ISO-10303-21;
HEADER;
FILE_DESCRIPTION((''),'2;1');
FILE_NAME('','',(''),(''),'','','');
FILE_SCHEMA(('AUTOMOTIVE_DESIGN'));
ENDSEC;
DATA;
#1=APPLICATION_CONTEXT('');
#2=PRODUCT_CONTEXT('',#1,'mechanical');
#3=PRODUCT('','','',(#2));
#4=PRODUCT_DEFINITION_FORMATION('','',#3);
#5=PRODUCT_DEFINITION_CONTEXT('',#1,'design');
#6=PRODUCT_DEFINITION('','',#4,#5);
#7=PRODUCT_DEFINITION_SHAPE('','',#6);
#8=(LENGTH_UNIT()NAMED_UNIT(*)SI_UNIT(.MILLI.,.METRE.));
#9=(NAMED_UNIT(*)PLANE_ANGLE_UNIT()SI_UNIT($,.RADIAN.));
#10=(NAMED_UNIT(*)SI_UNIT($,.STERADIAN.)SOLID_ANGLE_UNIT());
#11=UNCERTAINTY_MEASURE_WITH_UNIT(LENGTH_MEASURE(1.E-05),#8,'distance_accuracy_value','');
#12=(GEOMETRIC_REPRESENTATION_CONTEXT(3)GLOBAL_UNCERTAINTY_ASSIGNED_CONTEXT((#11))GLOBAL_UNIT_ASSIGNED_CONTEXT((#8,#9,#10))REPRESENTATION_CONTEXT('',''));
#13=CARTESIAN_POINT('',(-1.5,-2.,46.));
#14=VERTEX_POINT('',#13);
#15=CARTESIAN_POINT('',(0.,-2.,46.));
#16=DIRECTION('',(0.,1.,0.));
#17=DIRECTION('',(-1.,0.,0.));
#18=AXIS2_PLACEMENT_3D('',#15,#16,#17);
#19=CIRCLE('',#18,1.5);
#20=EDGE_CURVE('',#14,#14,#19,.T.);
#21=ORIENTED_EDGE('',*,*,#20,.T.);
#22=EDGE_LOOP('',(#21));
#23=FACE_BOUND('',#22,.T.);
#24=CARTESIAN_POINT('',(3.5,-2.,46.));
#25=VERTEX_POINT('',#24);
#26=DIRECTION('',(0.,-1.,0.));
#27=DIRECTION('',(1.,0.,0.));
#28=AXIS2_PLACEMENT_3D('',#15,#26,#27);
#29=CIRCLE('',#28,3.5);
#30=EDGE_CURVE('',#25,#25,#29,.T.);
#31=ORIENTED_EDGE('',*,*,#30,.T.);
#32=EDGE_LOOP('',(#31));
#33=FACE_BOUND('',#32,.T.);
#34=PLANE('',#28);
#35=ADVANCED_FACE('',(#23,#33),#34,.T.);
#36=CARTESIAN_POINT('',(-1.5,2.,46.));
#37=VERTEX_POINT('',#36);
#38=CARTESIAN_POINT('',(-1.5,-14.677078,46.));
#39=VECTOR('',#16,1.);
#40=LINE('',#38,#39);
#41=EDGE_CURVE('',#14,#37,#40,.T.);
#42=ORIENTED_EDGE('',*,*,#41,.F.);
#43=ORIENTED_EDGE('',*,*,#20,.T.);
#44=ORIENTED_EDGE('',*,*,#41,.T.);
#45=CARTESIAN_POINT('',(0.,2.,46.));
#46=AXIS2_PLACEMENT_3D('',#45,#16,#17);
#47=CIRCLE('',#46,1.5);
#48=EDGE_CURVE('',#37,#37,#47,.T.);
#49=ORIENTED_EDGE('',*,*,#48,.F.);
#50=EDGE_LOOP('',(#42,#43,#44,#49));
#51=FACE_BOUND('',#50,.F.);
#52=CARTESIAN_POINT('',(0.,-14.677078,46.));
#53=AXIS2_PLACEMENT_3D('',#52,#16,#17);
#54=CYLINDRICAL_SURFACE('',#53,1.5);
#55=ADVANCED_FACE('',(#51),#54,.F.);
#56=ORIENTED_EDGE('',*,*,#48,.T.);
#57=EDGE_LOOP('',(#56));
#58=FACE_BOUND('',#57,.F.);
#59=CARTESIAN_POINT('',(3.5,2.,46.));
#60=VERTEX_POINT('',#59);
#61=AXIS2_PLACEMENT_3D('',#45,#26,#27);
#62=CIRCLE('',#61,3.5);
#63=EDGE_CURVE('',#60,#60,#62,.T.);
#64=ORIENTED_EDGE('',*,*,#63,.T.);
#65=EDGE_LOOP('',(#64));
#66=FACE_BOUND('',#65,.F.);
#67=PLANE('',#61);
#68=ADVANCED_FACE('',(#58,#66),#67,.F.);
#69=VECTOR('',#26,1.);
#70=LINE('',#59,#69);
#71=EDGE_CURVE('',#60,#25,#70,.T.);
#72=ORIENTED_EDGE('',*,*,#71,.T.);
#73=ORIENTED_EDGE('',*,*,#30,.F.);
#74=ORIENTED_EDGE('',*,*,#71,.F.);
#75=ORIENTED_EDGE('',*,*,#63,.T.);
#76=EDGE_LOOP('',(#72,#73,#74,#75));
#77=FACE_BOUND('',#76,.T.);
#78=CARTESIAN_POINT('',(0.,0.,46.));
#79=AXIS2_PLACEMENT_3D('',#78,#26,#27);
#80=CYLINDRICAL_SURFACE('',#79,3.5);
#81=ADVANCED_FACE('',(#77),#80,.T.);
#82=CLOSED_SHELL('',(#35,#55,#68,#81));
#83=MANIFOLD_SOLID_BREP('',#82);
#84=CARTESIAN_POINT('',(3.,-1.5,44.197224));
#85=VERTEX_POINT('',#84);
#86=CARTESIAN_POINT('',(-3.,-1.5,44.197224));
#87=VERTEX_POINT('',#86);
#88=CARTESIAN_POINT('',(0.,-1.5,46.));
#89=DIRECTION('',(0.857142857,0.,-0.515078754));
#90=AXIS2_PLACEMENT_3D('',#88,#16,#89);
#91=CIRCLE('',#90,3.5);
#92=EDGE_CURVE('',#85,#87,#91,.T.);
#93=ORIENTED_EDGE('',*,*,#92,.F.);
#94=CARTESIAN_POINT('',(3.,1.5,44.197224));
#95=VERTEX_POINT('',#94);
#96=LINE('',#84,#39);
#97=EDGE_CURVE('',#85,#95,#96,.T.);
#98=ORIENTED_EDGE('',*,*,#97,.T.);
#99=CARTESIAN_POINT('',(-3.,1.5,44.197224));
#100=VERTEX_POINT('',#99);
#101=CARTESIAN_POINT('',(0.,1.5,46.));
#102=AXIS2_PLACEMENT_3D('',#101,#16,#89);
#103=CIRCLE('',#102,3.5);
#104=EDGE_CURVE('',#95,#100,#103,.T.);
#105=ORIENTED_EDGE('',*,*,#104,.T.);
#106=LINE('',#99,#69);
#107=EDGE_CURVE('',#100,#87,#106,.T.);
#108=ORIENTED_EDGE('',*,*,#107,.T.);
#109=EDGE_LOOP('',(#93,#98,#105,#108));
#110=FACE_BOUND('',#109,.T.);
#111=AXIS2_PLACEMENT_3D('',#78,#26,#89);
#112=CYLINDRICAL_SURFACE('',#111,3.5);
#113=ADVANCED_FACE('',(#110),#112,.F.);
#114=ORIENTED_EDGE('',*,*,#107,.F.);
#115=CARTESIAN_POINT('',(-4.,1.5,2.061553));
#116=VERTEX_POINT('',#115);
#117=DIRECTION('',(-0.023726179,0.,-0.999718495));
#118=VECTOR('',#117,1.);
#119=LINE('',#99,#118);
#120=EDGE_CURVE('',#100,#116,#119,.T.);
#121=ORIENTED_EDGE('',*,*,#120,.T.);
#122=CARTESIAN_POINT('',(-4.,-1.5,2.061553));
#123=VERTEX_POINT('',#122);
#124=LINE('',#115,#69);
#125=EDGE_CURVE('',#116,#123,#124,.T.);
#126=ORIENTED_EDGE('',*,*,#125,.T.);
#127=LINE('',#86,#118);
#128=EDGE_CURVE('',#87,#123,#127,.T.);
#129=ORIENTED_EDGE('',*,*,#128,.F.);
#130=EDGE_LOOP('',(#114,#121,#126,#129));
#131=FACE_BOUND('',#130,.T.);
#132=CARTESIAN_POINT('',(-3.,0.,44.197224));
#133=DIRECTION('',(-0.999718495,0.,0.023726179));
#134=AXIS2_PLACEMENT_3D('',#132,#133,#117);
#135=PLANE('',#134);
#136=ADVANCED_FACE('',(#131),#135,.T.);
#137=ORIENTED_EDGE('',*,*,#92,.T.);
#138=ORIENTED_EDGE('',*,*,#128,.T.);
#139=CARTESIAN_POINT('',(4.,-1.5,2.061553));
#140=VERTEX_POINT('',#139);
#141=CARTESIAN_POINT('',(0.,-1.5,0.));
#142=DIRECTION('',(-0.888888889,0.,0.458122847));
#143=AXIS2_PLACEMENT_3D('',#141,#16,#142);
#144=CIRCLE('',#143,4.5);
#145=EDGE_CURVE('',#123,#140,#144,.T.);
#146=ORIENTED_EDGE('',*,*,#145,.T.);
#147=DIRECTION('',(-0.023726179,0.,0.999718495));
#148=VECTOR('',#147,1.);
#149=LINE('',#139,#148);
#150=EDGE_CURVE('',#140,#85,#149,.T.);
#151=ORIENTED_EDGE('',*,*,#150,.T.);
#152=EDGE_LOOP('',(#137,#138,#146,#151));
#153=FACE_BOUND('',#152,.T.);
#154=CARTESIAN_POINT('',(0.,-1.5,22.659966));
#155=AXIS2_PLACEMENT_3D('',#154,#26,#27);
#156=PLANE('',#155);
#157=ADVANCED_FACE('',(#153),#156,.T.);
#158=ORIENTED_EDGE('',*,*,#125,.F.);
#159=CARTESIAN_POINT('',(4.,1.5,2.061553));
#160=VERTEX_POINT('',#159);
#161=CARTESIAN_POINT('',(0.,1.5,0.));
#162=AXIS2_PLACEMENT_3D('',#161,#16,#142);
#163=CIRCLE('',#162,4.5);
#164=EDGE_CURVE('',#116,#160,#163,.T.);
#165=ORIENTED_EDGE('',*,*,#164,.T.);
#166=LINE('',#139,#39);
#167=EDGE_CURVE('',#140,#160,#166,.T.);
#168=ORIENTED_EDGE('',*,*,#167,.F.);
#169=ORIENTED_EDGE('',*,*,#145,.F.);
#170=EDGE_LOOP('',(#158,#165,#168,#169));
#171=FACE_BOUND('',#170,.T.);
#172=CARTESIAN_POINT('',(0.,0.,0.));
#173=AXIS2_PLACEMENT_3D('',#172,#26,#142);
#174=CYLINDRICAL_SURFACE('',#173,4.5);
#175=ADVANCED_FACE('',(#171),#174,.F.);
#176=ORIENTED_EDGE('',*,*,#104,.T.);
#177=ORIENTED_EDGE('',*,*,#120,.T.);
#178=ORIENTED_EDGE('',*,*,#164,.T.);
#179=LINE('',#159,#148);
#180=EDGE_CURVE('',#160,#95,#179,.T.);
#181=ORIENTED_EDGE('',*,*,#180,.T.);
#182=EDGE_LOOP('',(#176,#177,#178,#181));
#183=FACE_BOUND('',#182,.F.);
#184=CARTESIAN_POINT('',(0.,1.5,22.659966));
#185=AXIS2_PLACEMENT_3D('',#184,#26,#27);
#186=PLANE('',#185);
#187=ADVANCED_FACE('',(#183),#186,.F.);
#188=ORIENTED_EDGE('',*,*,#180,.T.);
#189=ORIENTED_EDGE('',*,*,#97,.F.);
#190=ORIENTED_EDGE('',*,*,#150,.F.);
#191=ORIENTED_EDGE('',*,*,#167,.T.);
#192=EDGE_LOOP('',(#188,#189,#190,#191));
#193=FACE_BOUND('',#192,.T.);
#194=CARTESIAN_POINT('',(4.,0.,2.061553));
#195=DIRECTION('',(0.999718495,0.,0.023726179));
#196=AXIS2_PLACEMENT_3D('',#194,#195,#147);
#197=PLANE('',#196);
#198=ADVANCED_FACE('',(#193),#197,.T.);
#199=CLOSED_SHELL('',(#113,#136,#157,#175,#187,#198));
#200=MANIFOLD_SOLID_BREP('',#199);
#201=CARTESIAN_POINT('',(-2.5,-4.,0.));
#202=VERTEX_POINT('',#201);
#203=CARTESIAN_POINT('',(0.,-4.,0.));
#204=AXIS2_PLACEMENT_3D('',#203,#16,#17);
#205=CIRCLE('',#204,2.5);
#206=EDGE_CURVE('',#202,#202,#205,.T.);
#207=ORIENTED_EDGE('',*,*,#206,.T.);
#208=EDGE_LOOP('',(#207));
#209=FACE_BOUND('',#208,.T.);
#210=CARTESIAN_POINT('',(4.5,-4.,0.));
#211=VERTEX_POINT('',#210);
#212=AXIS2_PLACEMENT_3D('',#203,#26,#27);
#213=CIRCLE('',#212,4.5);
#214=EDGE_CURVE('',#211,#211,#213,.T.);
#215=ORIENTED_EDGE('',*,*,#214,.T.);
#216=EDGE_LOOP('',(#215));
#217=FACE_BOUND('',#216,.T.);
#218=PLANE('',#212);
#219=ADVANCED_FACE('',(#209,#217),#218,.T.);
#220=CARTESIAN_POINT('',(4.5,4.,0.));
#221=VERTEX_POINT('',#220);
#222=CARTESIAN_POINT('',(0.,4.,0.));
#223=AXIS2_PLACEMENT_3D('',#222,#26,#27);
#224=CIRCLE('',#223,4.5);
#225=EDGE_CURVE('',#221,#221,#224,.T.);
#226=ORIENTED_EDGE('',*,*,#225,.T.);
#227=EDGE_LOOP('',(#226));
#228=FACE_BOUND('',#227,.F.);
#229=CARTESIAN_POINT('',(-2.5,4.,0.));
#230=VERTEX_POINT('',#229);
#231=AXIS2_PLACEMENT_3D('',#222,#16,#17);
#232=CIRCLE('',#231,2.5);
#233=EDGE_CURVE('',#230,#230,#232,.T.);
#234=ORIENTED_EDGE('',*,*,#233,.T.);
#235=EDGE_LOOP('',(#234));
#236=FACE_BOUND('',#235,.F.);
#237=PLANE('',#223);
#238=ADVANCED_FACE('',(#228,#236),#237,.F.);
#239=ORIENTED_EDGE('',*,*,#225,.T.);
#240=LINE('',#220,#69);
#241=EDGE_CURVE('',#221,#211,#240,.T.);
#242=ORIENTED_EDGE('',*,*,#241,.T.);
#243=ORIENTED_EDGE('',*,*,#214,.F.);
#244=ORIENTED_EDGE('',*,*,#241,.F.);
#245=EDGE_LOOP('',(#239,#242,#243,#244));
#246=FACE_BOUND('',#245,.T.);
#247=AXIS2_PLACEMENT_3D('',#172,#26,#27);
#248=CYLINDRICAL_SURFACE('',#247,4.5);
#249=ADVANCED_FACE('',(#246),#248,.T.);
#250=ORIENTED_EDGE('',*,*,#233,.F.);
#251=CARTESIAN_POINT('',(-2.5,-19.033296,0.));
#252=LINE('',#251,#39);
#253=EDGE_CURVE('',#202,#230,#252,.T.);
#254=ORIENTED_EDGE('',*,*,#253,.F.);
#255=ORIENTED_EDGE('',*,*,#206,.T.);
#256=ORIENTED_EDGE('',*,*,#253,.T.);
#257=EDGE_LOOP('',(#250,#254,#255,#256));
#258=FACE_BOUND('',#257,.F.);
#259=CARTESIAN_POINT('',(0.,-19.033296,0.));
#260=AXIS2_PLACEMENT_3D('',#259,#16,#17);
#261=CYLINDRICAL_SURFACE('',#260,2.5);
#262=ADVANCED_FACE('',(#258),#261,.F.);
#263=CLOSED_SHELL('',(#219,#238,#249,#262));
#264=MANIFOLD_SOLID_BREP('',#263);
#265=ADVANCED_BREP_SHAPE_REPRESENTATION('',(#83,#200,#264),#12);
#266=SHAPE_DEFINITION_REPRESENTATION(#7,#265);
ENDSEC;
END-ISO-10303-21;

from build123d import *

# Parameters (mm, degrees)
F0_R     = 4.5
F1_DEPTH = 4
F2_R     = 3.5
F3_DEPTH = 2
F5_DEPTH = 1.5
F7_D     = 5
F8_D     = 3


with BuildPart() as f1:
    # F0 (on Front) → F1 (new body, symmetric)
    with BuildSketch(Plane.XZ):
        Circle(F0_R)
    extrude(amount=F1_DEPTH, both=True)

    # F7 (through all)
    with Locations(Plane.XZ.offset(4)):
        with Locations((0, 0)):
            Hole(F7_D / 2)


with BuildPart() as f3:
    # F2 (on Front) → F3 (new body, symmetric)
    with BuildSketch(Plane.XZ):
        with Locations((0, 46)):
            Circle(F2_R)
    extrude(amount=F3_DEPTH, both=True)

    # F8 (through all)
    with Locations(Plane.XZ.offset(4)):
        with Locations((0, 46)):
            Hole(F8_D / 2)


with BuildPart() as f5:
    # F4 (on Front) → F5 (new body, symmetric)
    with BuildSketch(Plane.XZ):
        with BuildLine():
            ThreePointArc((3, 44.1972243623), (0, 42.5), (-3, 44.1972243623))
            Line((-3, 44.1972243623), (-4, 2.0615528128))
            ThreePointArc((-4, 2.0615528128), (0, 4.5), (4, 2.0615528128))
            Line((4, 2.0615528128), (3, 44.1972243623))
        make_face()
    extrude(amount=F5_DEPTH, both=True)


solid = Compound([f1.part, f3.part, f5.part])
